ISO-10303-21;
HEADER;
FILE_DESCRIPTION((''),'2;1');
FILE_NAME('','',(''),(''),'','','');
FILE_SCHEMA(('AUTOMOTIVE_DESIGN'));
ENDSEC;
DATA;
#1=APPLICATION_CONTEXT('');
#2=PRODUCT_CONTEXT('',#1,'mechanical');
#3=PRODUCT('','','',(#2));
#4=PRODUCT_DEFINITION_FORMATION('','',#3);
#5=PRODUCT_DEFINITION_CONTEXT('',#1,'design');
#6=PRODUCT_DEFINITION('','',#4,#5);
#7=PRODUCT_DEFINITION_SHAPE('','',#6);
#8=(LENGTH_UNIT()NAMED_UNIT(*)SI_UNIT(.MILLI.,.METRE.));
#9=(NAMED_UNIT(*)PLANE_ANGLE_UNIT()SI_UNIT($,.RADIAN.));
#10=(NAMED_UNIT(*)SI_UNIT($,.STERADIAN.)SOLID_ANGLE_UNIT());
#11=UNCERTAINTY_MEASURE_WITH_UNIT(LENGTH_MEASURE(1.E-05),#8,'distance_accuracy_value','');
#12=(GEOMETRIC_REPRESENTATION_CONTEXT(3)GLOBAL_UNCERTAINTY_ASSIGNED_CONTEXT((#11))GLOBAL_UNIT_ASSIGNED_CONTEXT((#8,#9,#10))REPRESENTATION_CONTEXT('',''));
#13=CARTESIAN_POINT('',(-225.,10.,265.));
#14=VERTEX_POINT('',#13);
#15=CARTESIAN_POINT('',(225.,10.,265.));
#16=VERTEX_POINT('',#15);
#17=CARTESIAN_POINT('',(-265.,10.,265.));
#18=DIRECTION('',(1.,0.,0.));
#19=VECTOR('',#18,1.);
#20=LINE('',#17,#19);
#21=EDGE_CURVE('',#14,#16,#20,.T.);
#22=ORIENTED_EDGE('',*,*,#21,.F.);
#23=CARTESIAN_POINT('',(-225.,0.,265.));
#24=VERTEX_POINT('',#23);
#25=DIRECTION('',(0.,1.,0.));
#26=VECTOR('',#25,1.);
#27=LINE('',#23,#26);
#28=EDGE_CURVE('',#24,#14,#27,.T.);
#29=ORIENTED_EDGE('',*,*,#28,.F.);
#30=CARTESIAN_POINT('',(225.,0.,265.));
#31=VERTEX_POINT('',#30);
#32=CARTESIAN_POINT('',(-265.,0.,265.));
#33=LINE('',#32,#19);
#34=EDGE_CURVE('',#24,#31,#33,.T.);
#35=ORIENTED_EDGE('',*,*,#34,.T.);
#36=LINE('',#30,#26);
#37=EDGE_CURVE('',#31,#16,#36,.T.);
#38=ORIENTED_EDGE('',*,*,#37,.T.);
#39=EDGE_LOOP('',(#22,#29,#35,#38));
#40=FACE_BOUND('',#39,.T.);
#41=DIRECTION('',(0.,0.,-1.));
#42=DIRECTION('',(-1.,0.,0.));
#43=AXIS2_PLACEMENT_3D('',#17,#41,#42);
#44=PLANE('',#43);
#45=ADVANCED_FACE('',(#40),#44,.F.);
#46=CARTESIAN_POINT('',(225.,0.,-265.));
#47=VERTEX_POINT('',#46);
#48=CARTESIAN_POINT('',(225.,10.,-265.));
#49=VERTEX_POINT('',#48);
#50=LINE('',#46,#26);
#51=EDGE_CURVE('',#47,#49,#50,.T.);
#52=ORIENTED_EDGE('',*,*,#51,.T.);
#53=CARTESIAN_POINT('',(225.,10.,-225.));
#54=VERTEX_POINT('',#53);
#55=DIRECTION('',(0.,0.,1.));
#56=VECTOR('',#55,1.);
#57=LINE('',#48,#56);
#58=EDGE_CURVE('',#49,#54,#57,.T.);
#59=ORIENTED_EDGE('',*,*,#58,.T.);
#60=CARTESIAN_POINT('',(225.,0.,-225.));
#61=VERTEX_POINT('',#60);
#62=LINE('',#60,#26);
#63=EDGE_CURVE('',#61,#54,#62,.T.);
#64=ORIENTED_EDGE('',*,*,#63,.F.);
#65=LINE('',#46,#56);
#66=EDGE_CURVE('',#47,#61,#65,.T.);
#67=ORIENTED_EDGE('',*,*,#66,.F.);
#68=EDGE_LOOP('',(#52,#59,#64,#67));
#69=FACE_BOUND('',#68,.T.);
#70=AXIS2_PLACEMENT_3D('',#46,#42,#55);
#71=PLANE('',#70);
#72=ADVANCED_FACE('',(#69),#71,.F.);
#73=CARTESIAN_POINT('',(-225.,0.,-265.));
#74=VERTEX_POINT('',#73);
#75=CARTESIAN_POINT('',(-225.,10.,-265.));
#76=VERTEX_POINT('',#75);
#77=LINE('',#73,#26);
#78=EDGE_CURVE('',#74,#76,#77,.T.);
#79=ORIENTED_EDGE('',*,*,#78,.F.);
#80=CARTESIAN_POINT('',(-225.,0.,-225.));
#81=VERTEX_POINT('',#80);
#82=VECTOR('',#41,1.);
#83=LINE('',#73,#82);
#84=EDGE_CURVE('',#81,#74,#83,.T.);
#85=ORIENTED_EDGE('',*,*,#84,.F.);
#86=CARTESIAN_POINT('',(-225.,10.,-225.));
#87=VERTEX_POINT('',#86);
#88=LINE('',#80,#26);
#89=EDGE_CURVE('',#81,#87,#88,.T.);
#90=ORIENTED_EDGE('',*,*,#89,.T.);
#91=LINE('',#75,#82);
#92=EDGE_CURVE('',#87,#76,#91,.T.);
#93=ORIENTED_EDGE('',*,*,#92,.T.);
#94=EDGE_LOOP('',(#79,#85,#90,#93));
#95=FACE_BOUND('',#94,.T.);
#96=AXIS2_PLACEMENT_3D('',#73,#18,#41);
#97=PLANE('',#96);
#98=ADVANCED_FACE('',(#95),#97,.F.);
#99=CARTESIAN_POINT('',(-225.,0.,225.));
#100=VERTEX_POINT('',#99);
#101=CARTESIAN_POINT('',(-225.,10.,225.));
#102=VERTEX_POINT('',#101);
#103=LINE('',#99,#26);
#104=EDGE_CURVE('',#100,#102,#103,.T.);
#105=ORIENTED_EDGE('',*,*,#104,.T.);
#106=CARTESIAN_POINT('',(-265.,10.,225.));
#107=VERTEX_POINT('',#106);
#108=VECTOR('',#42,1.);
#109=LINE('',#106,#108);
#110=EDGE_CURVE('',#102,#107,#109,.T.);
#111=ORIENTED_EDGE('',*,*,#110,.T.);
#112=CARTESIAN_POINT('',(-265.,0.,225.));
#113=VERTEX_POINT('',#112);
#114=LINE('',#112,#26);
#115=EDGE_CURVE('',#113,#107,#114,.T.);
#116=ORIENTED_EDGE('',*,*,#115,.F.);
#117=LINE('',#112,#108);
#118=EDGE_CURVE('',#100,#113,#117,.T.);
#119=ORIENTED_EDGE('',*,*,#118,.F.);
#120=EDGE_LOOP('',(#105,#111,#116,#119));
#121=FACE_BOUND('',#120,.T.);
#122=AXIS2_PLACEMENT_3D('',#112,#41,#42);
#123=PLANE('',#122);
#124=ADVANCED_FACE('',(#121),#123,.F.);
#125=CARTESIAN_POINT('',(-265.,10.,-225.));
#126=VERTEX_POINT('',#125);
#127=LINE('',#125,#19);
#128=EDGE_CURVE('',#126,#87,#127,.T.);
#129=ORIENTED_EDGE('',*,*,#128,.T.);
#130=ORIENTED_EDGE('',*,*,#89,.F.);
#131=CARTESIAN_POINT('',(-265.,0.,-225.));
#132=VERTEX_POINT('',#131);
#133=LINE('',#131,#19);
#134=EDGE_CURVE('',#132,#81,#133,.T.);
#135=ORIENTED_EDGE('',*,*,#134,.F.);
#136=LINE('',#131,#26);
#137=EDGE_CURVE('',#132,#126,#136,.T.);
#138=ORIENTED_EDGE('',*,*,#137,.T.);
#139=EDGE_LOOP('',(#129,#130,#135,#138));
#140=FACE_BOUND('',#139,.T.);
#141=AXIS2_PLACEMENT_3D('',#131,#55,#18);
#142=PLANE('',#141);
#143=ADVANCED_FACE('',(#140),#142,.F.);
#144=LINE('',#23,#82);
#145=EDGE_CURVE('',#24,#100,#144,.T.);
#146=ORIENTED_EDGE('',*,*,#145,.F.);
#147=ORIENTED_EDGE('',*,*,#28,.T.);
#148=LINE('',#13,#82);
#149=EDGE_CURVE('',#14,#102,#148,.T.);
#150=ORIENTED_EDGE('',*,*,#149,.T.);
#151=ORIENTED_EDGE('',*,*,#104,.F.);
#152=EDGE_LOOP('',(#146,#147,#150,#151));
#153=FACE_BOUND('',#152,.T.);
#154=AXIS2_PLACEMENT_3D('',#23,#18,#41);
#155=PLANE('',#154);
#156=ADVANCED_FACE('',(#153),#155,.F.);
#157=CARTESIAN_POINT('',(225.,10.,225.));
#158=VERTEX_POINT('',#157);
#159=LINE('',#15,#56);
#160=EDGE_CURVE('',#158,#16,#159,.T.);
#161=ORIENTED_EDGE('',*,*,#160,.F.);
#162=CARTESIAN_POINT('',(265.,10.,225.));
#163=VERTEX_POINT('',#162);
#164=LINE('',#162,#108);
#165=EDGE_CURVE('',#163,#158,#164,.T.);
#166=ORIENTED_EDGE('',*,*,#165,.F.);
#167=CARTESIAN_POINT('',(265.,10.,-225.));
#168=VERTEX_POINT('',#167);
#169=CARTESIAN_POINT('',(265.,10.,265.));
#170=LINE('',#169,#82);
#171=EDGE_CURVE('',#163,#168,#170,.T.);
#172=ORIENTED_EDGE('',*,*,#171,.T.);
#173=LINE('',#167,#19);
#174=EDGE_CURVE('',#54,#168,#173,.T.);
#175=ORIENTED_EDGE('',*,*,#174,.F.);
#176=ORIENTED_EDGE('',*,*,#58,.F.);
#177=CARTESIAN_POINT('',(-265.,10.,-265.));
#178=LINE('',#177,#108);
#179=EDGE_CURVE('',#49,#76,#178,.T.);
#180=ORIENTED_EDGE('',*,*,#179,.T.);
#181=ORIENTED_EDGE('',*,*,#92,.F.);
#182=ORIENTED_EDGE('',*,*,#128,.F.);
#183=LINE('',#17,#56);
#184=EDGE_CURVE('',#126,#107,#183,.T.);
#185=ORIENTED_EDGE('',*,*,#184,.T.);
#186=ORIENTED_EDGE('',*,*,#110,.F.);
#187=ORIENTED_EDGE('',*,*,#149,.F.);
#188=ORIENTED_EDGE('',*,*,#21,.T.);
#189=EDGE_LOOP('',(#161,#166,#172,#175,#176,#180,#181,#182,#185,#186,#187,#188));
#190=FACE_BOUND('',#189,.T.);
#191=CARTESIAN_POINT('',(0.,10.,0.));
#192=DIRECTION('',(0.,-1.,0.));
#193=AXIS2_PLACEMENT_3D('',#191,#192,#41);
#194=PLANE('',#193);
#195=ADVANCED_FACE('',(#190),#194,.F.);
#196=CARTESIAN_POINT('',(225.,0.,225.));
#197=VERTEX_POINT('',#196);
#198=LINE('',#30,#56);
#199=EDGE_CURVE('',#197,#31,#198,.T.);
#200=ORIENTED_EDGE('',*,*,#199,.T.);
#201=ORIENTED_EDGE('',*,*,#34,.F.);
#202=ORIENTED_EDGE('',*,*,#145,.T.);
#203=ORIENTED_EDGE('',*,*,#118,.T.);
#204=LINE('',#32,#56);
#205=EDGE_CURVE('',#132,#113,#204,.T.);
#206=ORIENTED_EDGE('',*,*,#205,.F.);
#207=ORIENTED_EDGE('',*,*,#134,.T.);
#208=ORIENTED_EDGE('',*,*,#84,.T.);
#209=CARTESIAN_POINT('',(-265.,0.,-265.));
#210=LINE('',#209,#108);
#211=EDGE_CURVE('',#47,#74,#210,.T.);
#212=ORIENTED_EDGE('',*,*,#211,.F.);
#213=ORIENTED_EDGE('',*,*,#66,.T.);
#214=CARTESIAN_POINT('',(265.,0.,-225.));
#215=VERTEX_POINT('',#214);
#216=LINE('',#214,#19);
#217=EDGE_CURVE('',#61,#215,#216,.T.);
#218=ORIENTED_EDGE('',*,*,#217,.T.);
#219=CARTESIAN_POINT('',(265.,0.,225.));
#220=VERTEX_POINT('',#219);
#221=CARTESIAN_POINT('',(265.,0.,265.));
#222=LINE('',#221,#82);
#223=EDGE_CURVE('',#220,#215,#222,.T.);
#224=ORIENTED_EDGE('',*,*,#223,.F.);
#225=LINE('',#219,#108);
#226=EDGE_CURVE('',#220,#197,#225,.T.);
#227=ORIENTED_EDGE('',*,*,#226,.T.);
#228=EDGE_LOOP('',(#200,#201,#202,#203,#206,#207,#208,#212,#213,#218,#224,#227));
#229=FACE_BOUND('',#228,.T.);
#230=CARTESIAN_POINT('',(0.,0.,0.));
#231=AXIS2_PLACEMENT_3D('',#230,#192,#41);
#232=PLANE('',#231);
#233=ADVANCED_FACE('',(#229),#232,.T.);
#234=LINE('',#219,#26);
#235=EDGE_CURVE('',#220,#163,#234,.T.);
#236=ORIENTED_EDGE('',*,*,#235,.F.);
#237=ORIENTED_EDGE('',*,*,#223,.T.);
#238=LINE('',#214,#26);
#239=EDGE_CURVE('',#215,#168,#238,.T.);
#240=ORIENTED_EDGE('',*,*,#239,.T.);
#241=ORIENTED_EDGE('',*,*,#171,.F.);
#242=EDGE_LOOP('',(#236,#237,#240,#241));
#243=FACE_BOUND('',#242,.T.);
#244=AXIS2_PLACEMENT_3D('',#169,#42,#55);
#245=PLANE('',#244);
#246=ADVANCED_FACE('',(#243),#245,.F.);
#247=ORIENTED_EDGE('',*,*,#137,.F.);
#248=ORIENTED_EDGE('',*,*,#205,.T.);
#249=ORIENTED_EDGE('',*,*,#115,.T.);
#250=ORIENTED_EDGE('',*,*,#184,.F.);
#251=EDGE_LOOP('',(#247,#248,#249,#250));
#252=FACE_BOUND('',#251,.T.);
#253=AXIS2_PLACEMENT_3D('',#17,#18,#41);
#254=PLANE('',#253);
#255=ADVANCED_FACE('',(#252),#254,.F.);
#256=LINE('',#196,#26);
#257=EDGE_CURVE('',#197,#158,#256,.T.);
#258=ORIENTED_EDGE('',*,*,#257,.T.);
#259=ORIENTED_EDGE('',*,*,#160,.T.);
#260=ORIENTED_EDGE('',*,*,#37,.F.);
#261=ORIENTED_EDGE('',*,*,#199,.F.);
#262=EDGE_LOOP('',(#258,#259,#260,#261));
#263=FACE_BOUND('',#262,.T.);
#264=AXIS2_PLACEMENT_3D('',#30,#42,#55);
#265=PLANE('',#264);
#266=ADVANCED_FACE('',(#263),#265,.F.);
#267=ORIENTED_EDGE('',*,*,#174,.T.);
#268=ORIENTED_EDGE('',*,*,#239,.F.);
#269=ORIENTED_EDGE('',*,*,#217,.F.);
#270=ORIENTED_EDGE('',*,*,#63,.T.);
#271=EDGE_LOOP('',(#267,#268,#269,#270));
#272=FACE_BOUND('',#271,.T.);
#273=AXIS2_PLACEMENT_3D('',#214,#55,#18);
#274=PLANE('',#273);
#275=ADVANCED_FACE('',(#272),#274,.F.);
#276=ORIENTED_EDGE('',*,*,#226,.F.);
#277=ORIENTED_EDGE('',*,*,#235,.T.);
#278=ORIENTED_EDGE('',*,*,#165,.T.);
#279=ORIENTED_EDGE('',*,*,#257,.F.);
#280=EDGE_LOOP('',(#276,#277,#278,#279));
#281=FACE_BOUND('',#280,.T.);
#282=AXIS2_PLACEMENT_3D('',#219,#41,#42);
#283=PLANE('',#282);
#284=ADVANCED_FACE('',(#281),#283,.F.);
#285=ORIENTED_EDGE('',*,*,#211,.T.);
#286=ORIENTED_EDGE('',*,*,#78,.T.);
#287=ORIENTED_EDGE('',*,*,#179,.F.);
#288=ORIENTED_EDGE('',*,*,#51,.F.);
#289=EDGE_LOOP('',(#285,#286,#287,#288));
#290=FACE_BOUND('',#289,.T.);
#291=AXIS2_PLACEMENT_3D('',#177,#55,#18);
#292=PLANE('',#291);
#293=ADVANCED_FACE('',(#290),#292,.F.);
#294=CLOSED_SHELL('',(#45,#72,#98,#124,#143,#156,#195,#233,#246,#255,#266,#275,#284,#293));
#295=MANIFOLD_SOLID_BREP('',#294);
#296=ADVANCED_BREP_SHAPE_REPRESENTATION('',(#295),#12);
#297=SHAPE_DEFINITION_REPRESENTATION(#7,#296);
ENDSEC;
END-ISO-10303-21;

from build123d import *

# Parameters (mm, degrees)
SKETCH1_W           = 530
SKETCH1_H           = 530
BOSS_EXTRUDE1_DEPTH = 10
SKETCH2_W           = 40
SKETCH2_H           = 40
CUT_EXTRUDE1_DEPTH  = 11


with BuildPart() as part:
    # Sketch1 → Boss-Extrude1 (new body)
    with BuildSketch(Plane(origin=(0, 0, 0), x_dir=(1, 0, 0), z_dir=(0, 1, 0))):
        Rectangle(SKETCH1_W, SKETCH1_H)
    extrude(amount=BOSS_EXTRUDE1_DEPTH)

    # Sketch2 → Cut-Extrude1 (cut, through all)
    with BuildSketch(Plane(origin=(0, 10, 0), x_dir=(1, 0, 0), z_dir=(0, 1, 0))):
        with Locations((-245, 245)):
            Rectangle(SKETCH2_W, SKETCH2_H)
        with Locations((245, 245)):
            Rectangle(SKETCH2_W, SKETCH2_H)
        with Locations((-245, -245)):
            Rectangle(SKETCH2_W, SKETCH2_H)
        with Locations((245, -245)):
            Rectangle(SKETCH2_W, SKETCH2_H)
    extrude(amount=-CUT_EXTRUDE1_DEPTH, mode=Mode.SUBTRACT)


solid = part.part
